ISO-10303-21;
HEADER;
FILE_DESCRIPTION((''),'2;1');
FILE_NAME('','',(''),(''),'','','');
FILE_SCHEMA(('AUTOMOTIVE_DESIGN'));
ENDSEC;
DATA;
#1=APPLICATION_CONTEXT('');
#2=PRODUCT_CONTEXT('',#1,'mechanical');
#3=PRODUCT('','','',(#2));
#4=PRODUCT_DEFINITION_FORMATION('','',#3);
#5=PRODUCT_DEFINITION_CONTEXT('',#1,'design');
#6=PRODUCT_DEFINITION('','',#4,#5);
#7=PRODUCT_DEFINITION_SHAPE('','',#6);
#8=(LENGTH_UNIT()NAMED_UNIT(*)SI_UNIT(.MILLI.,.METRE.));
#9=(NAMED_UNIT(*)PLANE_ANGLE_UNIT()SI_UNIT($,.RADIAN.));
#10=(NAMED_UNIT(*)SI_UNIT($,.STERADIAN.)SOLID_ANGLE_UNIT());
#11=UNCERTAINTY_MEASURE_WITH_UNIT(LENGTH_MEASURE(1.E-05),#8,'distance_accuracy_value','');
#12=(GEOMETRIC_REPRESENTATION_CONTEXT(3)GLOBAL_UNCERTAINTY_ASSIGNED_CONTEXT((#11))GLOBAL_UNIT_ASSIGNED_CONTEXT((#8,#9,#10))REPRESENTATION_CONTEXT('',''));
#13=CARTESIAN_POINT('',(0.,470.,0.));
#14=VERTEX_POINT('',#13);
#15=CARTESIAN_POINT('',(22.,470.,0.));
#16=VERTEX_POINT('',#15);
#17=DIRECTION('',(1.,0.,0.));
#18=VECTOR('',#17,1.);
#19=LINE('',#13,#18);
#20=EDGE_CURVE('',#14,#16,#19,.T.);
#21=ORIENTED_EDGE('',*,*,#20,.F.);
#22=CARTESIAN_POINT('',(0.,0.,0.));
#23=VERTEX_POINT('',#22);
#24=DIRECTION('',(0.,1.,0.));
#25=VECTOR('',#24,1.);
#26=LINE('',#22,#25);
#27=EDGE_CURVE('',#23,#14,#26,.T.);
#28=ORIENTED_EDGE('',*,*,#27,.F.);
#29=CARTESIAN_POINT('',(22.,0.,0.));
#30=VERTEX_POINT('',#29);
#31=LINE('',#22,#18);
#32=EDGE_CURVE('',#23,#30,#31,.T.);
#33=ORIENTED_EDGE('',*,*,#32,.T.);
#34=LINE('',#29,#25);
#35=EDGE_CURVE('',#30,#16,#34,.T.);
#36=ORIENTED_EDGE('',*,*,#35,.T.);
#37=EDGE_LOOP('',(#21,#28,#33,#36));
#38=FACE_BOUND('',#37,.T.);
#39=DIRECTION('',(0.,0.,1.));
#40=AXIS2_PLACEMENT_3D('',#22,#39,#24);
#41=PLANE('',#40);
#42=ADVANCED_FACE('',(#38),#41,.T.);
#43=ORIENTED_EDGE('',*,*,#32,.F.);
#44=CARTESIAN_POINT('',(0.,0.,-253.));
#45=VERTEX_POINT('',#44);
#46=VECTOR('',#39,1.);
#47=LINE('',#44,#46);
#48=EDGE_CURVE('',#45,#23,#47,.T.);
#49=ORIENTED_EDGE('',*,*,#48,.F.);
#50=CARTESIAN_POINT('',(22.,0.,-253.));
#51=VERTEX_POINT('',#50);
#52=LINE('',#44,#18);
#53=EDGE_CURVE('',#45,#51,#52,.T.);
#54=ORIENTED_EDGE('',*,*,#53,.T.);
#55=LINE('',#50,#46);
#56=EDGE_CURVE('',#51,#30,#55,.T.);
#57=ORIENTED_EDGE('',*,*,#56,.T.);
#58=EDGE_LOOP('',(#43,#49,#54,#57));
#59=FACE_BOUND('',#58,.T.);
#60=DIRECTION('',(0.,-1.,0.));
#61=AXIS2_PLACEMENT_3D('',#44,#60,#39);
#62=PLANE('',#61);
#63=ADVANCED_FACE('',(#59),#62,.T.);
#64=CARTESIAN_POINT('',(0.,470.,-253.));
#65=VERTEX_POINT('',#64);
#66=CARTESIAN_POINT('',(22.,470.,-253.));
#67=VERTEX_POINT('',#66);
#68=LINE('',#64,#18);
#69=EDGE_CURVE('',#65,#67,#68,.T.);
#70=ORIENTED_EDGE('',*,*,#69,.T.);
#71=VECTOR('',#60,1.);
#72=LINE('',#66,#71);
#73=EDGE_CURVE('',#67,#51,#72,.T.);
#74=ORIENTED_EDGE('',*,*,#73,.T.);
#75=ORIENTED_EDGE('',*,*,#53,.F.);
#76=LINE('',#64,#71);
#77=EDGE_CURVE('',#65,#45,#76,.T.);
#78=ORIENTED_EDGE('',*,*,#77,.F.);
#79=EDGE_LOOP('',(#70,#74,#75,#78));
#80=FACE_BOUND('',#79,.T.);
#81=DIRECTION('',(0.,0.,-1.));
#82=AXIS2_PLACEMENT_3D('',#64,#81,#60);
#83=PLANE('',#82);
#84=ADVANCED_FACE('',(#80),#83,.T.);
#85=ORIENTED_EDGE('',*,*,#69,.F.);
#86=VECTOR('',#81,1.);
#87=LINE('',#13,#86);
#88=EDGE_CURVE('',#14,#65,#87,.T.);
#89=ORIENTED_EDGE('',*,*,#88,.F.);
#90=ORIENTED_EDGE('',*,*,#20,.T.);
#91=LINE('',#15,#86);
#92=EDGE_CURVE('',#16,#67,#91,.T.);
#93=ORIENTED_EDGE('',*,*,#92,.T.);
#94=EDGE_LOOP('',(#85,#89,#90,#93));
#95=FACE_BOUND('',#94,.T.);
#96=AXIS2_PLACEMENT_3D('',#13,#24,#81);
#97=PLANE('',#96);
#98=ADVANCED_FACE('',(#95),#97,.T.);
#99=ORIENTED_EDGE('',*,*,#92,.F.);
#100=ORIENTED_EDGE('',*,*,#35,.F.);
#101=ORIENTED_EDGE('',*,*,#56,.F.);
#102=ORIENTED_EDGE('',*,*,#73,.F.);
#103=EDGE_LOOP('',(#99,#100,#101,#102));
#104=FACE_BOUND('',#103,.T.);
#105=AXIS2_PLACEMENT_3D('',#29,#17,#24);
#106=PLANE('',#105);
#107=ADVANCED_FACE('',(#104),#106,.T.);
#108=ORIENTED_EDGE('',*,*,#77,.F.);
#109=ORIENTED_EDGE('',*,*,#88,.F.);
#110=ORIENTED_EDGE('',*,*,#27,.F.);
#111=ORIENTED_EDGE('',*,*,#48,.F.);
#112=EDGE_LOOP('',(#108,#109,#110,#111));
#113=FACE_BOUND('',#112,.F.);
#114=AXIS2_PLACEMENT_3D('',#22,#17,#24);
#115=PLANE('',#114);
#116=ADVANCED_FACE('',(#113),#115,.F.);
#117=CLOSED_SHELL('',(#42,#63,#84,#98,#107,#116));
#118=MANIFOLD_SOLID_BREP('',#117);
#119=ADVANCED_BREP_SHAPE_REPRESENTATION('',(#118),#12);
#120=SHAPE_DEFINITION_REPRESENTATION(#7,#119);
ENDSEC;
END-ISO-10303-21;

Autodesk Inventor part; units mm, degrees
ref_plane "YZ Plane" through (0, 0, 0) normal (1, 0, 0) x (0, 1, 0)
ref_plane "XZ Plane" through (0, 0, 0) normal (0, 1, 0) x (-1, 0, 0)
ref_plane "XY Plane" through (0, 0, 0) normal (0, 0, 1) x (1, 0, 0)
sketch "Эскиз1" plane through (0, 0, 0) normal (1, 0, 0) x (0, 1, 0)
  line L0 (0, 0) -> (470, 0)
  line L1 (470, 0) -> (470, -253)
  line L2 (470, -253) -> (0, -253)
  line L3 (0, -253) -> (0, 0)
  dimension "d0" = 470
  dimension "d1" = 253
extrude "Выдавливание1" add sketch "Эскиз1" along normal blind 22
properties part number "side_A"
